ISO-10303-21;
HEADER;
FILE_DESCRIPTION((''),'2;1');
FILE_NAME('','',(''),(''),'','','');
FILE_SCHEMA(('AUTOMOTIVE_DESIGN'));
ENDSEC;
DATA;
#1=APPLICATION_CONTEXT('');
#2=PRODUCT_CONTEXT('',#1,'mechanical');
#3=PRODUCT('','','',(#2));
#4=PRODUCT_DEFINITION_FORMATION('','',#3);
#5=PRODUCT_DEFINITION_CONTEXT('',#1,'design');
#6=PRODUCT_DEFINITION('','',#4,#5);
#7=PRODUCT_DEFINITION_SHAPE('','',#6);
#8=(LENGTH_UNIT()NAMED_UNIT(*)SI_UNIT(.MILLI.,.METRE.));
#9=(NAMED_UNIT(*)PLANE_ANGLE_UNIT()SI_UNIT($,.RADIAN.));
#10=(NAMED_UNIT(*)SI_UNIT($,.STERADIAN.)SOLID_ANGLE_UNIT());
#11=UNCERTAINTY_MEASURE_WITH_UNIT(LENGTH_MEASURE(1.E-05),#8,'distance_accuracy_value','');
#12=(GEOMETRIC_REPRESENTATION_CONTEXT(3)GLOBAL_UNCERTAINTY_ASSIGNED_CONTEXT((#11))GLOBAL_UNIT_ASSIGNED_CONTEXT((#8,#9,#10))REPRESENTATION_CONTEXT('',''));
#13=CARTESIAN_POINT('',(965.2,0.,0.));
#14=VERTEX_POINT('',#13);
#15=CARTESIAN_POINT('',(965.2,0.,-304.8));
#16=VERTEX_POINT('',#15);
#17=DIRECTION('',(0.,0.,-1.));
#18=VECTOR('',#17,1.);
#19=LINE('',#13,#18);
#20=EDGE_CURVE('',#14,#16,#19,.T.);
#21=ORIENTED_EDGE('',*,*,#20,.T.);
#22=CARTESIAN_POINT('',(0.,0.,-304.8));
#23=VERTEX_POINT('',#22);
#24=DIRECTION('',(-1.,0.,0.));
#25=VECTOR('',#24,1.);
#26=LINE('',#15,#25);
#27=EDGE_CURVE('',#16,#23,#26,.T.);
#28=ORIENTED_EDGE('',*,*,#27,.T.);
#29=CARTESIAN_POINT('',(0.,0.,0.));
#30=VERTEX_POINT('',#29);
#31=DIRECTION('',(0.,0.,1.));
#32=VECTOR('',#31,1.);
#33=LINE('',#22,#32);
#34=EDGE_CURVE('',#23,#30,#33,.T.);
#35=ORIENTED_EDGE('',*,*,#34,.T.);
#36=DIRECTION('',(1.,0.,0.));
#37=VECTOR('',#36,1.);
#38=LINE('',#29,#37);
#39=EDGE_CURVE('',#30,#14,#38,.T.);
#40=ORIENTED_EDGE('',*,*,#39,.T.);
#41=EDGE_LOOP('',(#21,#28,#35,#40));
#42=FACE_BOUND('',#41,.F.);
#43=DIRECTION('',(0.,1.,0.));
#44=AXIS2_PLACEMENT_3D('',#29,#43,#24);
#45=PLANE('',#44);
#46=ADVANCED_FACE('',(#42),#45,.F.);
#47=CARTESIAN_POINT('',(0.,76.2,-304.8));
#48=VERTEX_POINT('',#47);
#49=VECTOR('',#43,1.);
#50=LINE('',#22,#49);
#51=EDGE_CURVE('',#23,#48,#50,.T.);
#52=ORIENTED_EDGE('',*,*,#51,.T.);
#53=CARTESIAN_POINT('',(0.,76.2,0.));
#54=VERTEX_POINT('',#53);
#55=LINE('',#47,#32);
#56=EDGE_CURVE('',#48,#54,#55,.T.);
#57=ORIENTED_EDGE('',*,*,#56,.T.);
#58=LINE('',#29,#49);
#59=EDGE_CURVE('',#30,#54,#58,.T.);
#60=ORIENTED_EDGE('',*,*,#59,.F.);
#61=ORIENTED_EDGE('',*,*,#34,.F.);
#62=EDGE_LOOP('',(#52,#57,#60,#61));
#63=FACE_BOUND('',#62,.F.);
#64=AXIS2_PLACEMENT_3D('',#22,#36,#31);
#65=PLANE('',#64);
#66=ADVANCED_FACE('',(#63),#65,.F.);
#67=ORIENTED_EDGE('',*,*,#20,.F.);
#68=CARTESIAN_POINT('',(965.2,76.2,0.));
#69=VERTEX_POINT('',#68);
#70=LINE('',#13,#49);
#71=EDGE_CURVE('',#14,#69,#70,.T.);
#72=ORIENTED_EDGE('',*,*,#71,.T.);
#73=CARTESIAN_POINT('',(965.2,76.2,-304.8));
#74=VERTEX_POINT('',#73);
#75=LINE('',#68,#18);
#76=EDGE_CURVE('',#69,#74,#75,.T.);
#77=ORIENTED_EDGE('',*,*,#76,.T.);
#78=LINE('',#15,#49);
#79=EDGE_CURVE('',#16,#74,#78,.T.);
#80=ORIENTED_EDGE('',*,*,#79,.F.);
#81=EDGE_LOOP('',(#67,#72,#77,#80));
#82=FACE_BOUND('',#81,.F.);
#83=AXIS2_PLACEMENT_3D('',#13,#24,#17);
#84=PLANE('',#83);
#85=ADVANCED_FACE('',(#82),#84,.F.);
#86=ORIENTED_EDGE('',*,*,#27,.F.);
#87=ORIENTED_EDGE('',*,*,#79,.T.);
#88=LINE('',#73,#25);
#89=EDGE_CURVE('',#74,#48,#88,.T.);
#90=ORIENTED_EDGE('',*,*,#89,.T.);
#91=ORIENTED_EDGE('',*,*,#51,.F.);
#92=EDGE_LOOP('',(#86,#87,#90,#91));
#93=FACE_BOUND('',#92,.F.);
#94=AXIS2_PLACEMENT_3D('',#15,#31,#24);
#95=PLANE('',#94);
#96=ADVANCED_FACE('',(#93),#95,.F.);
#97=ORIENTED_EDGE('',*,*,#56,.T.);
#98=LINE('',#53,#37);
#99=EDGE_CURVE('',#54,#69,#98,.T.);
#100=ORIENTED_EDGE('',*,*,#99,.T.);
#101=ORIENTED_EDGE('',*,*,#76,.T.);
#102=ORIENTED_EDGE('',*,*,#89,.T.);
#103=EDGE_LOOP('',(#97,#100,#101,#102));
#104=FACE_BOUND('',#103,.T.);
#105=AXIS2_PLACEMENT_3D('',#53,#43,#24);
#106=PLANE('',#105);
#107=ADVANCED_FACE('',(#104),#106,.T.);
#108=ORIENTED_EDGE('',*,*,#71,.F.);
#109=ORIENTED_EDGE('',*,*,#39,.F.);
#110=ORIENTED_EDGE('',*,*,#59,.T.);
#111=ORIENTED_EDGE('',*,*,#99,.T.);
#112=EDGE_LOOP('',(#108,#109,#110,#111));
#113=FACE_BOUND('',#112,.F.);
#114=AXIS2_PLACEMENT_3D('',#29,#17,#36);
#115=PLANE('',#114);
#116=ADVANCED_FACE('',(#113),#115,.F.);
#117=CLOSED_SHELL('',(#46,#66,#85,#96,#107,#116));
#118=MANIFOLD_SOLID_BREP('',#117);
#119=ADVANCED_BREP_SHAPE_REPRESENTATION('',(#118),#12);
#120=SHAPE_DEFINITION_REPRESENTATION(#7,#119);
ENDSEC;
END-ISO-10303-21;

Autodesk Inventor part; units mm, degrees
ref_plane "YZ Plane" through (0, 0, 0) normal (1, 0, 0) x (0, 1, 0)
ref_plane "XZ Plane" through (0, 0, 0) normal (0, 1, 0) x (-1, 0, 0)
ref_plane "XY Plane" through (0, 0, 0) normal (0, 0, 1) x (1, 0, 0)
sketch "Sketch2" plane through (0, 0, 0) normal (0, 1, 0) x (-1, 0, 0)
  line L0 (0, 0) -> (-965.2, 0)
  line L1 (-965.2, 0) -> (-965.2, -304.8)
  line L2 (-965.2, -304.8) -> (0, -304.8)
  line L3 (0, -304.8) -> (0, 0)
  dimension "d3" = 965.2
  dimension "d4" = 304.8
extrude "Extrusion1" add sketch "Sketch2" along normal blind 76.2
